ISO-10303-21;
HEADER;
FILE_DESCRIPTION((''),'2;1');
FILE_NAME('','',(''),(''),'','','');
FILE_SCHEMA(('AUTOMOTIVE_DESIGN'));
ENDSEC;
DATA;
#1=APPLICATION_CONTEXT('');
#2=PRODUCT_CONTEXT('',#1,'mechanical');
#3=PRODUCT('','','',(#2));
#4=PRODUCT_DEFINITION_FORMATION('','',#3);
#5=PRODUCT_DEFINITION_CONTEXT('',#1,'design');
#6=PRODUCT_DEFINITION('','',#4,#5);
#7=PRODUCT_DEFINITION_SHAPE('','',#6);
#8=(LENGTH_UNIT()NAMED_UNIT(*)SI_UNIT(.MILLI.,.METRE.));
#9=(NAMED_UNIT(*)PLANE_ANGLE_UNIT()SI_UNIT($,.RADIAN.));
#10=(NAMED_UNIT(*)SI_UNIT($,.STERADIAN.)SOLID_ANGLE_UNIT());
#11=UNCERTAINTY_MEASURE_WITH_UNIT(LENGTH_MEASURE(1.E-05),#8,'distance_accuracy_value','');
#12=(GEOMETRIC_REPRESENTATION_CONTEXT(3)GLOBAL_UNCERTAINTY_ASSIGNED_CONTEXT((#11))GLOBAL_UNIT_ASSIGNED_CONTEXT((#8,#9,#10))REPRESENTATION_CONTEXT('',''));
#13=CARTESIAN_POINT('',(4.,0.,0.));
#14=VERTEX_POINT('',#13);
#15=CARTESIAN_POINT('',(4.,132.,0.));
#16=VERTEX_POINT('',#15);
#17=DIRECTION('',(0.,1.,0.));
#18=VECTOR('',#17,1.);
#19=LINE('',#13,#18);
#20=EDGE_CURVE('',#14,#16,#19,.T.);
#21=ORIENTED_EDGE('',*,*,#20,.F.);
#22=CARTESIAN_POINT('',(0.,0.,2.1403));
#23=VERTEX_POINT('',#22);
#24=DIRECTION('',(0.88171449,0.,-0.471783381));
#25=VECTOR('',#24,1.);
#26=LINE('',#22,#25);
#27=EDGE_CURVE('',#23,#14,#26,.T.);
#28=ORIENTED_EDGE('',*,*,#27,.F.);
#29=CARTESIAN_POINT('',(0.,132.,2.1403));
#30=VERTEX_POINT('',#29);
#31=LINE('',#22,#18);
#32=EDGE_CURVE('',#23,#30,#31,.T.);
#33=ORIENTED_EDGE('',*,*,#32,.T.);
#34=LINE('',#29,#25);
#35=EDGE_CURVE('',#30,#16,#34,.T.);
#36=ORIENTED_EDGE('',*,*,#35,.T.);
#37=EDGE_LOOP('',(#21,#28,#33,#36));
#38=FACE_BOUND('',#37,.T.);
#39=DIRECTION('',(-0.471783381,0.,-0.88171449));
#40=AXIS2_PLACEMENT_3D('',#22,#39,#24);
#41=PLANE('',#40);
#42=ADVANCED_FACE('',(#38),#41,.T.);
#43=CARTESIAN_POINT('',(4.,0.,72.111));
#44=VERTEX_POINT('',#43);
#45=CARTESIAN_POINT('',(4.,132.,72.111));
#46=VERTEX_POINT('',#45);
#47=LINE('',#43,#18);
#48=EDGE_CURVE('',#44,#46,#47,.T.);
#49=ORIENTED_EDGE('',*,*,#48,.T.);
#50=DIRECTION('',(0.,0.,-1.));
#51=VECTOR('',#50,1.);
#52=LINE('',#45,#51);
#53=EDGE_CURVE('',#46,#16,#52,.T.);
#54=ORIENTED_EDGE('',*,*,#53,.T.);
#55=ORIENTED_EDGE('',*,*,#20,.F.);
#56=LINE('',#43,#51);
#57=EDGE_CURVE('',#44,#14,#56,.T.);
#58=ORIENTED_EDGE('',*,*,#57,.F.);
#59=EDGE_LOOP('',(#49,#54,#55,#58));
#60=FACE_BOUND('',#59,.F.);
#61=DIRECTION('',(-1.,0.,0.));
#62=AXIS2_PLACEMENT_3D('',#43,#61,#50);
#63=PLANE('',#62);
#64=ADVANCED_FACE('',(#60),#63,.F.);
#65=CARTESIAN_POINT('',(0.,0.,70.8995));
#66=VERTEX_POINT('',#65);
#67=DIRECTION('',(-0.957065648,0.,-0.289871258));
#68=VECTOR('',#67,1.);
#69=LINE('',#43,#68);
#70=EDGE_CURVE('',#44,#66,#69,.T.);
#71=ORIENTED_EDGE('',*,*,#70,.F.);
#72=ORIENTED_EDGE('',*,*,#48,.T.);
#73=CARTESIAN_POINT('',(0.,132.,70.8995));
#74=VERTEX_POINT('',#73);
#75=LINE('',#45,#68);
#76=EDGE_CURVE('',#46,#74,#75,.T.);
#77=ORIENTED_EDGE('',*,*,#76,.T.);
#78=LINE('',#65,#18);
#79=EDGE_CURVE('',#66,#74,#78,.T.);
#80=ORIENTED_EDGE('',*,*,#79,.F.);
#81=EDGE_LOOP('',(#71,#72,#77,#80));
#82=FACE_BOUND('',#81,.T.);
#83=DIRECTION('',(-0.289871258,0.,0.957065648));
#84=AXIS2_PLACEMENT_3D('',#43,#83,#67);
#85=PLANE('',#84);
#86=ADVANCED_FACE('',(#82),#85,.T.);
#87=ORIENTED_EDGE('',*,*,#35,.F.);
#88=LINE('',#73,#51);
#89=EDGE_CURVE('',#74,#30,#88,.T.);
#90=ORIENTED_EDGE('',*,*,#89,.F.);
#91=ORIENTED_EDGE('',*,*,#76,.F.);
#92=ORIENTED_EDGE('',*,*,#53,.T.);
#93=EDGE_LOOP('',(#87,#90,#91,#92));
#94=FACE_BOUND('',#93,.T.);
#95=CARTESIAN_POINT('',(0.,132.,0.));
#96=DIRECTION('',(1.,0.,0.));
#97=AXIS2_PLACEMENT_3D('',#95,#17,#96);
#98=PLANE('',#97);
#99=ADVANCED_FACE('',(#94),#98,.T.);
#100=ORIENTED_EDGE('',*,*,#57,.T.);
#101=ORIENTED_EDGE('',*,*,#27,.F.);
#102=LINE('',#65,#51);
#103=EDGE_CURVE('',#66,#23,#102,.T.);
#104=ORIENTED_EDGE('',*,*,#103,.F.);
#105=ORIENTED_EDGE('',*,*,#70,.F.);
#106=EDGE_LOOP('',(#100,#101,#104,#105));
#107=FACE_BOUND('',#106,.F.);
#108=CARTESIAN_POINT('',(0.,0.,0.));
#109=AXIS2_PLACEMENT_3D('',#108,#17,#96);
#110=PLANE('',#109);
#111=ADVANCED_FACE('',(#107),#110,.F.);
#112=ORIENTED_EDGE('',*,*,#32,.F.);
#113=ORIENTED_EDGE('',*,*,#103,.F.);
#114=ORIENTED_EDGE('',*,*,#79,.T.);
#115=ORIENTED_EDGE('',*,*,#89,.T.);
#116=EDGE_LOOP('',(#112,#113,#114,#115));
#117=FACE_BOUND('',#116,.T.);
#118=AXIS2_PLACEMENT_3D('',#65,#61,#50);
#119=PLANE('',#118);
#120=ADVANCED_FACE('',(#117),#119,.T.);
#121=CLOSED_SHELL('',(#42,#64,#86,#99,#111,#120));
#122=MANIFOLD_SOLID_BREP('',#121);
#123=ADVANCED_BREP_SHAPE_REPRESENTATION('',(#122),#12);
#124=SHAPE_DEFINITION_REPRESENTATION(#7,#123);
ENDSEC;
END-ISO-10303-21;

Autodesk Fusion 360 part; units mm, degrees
sketch "Esquisse1" plane through (0, 0, 0) normal (0, 1, 0) x (1, 0, 0)
  line L0 (0, -70.8995) -> (0, -2.1403)
  line L1 (4, -72.111) -> (4, 0)
  line L2 (0, -2.1403) -> (4, 0)
  line L3 (4, -72.111) -> (0, -70.8995)
  dimension "d3" = 61.85
  dimension "d6" = 72.111
  dimension "d7" = 73.15
extrude "Extrusion1" add sketch "Esquisse1" along normal blind 132
